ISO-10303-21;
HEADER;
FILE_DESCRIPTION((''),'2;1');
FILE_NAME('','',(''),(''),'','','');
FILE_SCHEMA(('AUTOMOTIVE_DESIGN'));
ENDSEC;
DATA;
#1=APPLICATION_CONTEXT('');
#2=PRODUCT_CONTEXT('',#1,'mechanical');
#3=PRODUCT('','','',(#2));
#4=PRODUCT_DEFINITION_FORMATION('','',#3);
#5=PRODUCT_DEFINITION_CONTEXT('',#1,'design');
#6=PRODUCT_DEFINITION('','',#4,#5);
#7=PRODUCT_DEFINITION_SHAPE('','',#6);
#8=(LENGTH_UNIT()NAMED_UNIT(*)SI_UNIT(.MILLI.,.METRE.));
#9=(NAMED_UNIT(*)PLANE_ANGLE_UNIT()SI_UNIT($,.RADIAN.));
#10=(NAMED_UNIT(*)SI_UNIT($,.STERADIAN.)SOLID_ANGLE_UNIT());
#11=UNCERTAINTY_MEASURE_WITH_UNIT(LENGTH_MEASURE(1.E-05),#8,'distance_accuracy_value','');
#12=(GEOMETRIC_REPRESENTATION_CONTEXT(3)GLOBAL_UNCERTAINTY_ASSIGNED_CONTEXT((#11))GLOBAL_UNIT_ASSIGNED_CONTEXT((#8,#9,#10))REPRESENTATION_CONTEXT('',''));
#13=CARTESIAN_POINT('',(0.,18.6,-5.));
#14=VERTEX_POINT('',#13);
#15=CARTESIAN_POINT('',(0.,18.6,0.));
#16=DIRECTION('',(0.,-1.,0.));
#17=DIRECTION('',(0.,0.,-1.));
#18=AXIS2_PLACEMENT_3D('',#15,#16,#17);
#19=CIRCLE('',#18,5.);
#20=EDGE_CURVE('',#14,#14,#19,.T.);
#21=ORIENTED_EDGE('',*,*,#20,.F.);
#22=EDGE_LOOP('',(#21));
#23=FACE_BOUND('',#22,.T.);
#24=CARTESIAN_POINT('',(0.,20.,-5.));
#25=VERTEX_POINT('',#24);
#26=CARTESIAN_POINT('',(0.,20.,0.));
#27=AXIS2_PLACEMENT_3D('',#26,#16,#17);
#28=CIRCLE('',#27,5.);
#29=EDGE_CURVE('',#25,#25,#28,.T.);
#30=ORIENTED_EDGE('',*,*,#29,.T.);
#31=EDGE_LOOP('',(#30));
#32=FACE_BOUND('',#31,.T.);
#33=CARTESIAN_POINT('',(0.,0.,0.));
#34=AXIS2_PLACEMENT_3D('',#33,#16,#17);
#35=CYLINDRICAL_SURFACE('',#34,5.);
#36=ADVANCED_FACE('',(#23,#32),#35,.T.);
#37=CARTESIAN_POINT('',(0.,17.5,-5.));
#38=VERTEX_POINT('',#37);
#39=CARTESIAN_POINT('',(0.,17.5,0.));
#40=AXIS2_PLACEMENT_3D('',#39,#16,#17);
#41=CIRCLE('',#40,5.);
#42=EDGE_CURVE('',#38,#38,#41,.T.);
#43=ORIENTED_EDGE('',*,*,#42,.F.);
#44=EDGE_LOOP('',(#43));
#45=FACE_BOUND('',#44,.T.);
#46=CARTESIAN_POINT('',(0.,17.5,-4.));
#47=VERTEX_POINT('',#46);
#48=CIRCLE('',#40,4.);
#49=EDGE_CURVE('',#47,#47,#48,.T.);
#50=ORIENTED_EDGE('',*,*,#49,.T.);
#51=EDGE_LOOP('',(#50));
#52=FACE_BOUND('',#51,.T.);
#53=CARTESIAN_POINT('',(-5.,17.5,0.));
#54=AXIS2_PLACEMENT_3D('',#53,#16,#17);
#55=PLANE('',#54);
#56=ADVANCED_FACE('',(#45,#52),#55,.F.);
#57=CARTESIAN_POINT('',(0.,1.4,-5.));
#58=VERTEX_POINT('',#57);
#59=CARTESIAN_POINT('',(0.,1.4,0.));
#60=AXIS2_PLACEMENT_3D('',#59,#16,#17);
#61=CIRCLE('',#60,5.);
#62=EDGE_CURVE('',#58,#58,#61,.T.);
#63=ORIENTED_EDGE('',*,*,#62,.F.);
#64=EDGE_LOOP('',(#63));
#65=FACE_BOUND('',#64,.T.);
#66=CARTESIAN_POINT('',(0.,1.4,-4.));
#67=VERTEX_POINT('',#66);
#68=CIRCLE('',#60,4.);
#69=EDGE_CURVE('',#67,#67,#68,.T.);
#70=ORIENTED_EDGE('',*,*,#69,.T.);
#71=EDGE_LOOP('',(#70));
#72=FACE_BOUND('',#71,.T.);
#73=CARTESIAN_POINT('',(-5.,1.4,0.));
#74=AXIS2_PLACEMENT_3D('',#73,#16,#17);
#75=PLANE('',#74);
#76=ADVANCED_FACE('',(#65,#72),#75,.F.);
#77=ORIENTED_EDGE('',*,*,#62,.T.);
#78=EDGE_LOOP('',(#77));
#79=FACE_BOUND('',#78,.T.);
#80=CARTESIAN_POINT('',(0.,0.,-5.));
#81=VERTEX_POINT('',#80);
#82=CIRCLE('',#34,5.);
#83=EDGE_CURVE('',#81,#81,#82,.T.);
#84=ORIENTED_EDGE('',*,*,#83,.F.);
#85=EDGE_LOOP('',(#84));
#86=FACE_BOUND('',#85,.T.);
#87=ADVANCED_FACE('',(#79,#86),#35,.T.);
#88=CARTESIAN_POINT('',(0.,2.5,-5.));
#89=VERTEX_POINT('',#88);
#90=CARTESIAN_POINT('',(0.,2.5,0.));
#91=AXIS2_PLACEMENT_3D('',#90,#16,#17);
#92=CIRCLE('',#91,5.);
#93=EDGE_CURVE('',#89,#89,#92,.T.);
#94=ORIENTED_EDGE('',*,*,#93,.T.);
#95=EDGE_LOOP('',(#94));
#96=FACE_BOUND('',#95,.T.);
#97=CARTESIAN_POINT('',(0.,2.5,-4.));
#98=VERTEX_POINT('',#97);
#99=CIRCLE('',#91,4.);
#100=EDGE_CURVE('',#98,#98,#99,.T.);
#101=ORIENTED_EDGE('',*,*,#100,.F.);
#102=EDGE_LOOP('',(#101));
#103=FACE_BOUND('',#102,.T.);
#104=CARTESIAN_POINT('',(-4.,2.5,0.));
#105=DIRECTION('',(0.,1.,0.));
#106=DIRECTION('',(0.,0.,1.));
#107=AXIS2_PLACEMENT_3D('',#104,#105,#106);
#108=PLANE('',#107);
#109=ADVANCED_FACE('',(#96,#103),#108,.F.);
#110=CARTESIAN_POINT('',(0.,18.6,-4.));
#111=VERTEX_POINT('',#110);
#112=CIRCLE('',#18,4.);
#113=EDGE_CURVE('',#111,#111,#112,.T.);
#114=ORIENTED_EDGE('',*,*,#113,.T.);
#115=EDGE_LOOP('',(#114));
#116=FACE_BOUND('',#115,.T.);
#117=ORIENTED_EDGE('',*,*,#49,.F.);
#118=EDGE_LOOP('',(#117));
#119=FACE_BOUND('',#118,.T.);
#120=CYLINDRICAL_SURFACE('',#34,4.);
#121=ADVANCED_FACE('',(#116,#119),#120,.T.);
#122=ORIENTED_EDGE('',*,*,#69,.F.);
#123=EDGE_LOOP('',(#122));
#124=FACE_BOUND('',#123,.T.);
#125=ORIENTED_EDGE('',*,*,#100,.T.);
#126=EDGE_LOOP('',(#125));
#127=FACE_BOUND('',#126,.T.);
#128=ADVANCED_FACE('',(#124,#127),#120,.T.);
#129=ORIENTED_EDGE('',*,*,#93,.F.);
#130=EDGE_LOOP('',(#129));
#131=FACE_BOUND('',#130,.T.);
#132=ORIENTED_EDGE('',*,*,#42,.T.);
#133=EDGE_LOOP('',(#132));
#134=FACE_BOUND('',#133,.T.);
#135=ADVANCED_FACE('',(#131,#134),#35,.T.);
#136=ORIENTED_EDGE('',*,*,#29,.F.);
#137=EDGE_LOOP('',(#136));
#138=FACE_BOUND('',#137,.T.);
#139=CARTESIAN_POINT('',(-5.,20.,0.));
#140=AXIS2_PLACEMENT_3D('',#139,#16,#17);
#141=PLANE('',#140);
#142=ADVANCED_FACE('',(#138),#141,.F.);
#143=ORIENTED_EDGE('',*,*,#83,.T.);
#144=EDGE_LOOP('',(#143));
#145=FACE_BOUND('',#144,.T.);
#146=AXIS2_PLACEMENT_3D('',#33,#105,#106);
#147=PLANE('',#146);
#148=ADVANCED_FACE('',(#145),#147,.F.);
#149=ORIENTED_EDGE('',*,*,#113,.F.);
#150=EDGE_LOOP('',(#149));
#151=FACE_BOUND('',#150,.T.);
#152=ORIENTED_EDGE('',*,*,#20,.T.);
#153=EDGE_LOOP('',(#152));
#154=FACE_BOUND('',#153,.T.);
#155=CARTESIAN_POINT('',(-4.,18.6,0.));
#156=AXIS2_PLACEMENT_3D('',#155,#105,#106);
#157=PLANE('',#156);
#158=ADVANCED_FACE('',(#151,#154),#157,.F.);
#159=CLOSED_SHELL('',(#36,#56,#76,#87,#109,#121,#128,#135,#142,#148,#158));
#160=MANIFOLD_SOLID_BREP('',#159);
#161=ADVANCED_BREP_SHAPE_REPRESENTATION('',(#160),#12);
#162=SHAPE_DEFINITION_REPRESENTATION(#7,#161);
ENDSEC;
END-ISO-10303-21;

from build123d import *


with BuildPart() as part:
    # 草图1 → 旋转1 (revolve)
    with BuildSketch(Plane.XY, mode=Mode.PRIVATE) as revolve_1_sk:
        Polygon((0, 0), (-5, 0), (-5, 1.4), (-4, 1.4), (-4, 2.5), (-5, 2.5), (-5, 17.5), (-4, 17.5), (-4, 18.6), (-5, 18.6), (-5, 20), (0, 20), align=None)
    revolve(revolve_1_sk.sketch.rotate(Axis((0, 0, 0), (0, 1, 0)), 270), axis=Axis((0, 0, 0), (0, 1, 0)))


solid = part.part
